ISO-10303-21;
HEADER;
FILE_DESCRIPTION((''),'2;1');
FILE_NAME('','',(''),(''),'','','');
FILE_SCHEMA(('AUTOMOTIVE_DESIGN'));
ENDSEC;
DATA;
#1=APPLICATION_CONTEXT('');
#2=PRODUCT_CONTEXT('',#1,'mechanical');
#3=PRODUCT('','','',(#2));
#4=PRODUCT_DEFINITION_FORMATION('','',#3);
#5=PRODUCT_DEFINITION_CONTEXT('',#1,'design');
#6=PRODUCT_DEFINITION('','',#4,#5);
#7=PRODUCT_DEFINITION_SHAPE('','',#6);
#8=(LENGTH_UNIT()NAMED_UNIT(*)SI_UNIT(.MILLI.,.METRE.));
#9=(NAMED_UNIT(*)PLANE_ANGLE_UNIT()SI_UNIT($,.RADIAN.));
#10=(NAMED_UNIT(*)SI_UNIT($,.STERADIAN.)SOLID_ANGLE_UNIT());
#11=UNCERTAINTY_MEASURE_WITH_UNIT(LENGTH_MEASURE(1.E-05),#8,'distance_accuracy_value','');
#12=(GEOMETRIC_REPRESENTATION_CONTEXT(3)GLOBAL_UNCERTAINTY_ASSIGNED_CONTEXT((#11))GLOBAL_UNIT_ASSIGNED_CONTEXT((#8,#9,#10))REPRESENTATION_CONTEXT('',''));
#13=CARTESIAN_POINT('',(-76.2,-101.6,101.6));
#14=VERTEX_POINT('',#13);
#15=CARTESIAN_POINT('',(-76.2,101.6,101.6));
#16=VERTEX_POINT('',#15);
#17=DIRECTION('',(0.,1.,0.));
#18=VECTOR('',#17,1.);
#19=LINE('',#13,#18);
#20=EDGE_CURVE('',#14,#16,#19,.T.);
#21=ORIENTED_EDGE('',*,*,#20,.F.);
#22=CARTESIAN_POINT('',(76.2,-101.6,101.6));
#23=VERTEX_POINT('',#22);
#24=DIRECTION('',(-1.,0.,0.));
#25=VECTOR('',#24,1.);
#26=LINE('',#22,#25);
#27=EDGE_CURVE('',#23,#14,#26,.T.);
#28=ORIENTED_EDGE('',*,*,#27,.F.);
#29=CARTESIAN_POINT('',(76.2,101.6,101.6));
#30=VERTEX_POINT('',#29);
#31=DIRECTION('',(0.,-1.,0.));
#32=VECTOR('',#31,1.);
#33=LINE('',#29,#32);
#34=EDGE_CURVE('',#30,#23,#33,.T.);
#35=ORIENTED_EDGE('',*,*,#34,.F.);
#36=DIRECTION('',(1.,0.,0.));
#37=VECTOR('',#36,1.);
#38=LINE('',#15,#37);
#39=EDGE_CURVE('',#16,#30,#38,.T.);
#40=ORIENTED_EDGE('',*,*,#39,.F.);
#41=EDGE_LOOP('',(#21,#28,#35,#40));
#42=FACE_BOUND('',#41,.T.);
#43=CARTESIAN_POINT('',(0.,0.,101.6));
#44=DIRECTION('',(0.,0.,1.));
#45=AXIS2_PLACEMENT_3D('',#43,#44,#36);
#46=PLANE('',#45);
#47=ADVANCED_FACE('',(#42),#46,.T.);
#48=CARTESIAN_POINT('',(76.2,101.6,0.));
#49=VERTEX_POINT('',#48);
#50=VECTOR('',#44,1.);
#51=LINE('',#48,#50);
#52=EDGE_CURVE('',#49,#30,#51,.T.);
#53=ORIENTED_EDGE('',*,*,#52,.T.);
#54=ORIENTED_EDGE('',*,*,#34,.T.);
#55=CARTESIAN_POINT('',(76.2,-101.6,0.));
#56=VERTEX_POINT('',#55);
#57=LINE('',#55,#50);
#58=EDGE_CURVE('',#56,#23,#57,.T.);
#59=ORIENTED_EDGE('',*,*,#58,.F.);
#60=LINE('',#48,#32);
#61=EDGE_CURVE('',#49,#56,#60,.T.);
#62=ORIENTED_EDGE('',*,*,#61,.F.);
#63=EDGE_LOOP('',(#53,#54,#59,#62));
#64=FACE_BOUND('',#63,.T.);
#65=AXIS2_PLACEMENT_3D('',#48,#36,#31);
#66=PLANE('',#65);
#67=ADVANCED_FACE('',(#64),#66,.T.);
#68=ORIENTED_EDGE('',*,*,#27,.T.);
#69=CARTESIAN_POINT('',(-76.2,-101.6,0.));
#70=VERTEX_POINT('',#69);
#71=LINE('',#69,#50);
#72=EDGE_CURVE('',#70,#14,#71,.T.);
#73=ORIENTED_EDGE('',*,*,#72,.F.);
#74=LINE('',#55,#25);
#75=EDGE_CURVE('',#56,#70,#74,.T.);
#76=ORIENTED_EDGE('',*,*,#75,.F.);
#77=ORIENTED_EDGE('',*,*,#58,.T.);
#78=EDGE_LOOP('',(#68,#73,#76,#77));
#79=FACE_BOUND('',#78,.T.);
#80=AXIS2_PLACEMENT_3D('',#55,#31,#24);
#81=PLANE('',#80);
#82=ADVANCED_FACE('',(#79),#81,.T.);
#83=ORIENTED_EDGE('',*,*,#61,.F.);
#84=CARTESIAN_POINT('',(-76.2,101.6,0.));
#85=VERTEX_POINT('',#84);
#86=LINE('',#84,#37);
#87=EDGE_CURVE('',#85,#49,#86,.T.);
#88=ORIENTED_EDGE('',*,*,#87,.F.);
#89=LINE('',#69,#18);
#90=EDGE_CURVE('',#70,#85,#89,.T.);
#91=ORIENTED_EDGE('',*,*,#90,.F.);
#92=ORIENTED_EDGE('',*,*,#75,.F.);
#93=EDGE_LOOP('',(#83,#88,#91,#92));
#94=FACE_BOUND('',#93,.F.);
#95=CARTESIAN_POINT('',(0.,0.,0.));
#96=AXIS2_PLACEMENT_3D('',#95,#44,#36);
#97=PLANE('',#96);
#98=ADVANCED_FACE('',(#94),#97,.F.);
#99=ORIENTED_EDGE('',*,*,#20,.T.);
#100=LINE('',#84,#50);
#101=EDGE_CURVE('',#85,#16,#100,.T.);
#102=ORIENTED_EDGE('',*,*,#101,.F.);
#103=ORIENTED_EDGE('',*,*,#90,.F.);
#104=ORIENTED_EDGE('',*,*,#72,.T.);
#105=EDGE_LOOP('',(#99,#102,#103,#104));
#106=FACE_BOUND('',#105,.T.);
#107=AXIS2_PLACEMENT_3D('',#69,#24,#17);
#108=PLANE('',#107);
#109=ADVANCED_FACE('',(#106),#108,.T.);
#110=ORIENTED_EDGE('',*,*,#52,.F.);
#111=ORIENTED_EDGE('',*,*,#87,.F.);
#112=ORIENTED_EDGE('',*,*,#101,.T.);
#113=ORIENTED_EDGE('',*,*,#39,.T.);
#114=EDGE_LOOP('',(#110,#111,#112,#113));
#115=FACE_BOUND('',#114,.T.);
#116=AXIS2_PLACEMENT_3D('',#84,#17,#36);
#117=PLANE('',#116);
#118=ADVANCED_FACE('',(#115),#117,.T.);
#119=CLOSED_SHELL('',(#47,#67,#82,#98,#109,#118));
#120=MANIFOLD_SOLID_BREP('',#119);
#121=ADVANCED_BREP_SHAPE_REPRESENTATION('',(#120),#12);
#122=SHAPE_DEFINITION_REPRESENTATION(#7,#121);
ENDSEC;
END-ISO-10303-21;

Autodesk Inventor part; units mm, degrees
ref_plane "YZ Plane" through (0, 0, 0) normal (1, 0, 0) x (0, 1, 0)
ref_plane "XZ Plane" through (0, 0, 0) normal (0, 1, 0) x (-1, 0, 0)
ref_plane "XY Plane" through (0, 0, 0) normal (0, 0, 1) x (1, 0, 0)
sketch "Sketch1" plane through (0, 0, 0) normal (0, 0, 1) x (1, 0, 0)
  line L0 (0, 0) -> (0, 168.7484) construction
  line L1 (0, 0) -> (186.2051, 0) construction
  line L2 (-76.2, 101.6) -> (76.2, 101.6)
  line L3 (76.2, 101.6) -> (76.2, -101.6)
  line L4 (76.2, -101.6) -> (-76.2, -101.6)
  line L5 (-76.2, -101.6) -> (-76.2, 101.6)
  dimension "d0" = 203.2
  dimension "d1" = 152.4
extrude "Extrusion1" add sketch "Sketch1" along normal blind 101.6
properties part number "Electrical Box Placeholder"
